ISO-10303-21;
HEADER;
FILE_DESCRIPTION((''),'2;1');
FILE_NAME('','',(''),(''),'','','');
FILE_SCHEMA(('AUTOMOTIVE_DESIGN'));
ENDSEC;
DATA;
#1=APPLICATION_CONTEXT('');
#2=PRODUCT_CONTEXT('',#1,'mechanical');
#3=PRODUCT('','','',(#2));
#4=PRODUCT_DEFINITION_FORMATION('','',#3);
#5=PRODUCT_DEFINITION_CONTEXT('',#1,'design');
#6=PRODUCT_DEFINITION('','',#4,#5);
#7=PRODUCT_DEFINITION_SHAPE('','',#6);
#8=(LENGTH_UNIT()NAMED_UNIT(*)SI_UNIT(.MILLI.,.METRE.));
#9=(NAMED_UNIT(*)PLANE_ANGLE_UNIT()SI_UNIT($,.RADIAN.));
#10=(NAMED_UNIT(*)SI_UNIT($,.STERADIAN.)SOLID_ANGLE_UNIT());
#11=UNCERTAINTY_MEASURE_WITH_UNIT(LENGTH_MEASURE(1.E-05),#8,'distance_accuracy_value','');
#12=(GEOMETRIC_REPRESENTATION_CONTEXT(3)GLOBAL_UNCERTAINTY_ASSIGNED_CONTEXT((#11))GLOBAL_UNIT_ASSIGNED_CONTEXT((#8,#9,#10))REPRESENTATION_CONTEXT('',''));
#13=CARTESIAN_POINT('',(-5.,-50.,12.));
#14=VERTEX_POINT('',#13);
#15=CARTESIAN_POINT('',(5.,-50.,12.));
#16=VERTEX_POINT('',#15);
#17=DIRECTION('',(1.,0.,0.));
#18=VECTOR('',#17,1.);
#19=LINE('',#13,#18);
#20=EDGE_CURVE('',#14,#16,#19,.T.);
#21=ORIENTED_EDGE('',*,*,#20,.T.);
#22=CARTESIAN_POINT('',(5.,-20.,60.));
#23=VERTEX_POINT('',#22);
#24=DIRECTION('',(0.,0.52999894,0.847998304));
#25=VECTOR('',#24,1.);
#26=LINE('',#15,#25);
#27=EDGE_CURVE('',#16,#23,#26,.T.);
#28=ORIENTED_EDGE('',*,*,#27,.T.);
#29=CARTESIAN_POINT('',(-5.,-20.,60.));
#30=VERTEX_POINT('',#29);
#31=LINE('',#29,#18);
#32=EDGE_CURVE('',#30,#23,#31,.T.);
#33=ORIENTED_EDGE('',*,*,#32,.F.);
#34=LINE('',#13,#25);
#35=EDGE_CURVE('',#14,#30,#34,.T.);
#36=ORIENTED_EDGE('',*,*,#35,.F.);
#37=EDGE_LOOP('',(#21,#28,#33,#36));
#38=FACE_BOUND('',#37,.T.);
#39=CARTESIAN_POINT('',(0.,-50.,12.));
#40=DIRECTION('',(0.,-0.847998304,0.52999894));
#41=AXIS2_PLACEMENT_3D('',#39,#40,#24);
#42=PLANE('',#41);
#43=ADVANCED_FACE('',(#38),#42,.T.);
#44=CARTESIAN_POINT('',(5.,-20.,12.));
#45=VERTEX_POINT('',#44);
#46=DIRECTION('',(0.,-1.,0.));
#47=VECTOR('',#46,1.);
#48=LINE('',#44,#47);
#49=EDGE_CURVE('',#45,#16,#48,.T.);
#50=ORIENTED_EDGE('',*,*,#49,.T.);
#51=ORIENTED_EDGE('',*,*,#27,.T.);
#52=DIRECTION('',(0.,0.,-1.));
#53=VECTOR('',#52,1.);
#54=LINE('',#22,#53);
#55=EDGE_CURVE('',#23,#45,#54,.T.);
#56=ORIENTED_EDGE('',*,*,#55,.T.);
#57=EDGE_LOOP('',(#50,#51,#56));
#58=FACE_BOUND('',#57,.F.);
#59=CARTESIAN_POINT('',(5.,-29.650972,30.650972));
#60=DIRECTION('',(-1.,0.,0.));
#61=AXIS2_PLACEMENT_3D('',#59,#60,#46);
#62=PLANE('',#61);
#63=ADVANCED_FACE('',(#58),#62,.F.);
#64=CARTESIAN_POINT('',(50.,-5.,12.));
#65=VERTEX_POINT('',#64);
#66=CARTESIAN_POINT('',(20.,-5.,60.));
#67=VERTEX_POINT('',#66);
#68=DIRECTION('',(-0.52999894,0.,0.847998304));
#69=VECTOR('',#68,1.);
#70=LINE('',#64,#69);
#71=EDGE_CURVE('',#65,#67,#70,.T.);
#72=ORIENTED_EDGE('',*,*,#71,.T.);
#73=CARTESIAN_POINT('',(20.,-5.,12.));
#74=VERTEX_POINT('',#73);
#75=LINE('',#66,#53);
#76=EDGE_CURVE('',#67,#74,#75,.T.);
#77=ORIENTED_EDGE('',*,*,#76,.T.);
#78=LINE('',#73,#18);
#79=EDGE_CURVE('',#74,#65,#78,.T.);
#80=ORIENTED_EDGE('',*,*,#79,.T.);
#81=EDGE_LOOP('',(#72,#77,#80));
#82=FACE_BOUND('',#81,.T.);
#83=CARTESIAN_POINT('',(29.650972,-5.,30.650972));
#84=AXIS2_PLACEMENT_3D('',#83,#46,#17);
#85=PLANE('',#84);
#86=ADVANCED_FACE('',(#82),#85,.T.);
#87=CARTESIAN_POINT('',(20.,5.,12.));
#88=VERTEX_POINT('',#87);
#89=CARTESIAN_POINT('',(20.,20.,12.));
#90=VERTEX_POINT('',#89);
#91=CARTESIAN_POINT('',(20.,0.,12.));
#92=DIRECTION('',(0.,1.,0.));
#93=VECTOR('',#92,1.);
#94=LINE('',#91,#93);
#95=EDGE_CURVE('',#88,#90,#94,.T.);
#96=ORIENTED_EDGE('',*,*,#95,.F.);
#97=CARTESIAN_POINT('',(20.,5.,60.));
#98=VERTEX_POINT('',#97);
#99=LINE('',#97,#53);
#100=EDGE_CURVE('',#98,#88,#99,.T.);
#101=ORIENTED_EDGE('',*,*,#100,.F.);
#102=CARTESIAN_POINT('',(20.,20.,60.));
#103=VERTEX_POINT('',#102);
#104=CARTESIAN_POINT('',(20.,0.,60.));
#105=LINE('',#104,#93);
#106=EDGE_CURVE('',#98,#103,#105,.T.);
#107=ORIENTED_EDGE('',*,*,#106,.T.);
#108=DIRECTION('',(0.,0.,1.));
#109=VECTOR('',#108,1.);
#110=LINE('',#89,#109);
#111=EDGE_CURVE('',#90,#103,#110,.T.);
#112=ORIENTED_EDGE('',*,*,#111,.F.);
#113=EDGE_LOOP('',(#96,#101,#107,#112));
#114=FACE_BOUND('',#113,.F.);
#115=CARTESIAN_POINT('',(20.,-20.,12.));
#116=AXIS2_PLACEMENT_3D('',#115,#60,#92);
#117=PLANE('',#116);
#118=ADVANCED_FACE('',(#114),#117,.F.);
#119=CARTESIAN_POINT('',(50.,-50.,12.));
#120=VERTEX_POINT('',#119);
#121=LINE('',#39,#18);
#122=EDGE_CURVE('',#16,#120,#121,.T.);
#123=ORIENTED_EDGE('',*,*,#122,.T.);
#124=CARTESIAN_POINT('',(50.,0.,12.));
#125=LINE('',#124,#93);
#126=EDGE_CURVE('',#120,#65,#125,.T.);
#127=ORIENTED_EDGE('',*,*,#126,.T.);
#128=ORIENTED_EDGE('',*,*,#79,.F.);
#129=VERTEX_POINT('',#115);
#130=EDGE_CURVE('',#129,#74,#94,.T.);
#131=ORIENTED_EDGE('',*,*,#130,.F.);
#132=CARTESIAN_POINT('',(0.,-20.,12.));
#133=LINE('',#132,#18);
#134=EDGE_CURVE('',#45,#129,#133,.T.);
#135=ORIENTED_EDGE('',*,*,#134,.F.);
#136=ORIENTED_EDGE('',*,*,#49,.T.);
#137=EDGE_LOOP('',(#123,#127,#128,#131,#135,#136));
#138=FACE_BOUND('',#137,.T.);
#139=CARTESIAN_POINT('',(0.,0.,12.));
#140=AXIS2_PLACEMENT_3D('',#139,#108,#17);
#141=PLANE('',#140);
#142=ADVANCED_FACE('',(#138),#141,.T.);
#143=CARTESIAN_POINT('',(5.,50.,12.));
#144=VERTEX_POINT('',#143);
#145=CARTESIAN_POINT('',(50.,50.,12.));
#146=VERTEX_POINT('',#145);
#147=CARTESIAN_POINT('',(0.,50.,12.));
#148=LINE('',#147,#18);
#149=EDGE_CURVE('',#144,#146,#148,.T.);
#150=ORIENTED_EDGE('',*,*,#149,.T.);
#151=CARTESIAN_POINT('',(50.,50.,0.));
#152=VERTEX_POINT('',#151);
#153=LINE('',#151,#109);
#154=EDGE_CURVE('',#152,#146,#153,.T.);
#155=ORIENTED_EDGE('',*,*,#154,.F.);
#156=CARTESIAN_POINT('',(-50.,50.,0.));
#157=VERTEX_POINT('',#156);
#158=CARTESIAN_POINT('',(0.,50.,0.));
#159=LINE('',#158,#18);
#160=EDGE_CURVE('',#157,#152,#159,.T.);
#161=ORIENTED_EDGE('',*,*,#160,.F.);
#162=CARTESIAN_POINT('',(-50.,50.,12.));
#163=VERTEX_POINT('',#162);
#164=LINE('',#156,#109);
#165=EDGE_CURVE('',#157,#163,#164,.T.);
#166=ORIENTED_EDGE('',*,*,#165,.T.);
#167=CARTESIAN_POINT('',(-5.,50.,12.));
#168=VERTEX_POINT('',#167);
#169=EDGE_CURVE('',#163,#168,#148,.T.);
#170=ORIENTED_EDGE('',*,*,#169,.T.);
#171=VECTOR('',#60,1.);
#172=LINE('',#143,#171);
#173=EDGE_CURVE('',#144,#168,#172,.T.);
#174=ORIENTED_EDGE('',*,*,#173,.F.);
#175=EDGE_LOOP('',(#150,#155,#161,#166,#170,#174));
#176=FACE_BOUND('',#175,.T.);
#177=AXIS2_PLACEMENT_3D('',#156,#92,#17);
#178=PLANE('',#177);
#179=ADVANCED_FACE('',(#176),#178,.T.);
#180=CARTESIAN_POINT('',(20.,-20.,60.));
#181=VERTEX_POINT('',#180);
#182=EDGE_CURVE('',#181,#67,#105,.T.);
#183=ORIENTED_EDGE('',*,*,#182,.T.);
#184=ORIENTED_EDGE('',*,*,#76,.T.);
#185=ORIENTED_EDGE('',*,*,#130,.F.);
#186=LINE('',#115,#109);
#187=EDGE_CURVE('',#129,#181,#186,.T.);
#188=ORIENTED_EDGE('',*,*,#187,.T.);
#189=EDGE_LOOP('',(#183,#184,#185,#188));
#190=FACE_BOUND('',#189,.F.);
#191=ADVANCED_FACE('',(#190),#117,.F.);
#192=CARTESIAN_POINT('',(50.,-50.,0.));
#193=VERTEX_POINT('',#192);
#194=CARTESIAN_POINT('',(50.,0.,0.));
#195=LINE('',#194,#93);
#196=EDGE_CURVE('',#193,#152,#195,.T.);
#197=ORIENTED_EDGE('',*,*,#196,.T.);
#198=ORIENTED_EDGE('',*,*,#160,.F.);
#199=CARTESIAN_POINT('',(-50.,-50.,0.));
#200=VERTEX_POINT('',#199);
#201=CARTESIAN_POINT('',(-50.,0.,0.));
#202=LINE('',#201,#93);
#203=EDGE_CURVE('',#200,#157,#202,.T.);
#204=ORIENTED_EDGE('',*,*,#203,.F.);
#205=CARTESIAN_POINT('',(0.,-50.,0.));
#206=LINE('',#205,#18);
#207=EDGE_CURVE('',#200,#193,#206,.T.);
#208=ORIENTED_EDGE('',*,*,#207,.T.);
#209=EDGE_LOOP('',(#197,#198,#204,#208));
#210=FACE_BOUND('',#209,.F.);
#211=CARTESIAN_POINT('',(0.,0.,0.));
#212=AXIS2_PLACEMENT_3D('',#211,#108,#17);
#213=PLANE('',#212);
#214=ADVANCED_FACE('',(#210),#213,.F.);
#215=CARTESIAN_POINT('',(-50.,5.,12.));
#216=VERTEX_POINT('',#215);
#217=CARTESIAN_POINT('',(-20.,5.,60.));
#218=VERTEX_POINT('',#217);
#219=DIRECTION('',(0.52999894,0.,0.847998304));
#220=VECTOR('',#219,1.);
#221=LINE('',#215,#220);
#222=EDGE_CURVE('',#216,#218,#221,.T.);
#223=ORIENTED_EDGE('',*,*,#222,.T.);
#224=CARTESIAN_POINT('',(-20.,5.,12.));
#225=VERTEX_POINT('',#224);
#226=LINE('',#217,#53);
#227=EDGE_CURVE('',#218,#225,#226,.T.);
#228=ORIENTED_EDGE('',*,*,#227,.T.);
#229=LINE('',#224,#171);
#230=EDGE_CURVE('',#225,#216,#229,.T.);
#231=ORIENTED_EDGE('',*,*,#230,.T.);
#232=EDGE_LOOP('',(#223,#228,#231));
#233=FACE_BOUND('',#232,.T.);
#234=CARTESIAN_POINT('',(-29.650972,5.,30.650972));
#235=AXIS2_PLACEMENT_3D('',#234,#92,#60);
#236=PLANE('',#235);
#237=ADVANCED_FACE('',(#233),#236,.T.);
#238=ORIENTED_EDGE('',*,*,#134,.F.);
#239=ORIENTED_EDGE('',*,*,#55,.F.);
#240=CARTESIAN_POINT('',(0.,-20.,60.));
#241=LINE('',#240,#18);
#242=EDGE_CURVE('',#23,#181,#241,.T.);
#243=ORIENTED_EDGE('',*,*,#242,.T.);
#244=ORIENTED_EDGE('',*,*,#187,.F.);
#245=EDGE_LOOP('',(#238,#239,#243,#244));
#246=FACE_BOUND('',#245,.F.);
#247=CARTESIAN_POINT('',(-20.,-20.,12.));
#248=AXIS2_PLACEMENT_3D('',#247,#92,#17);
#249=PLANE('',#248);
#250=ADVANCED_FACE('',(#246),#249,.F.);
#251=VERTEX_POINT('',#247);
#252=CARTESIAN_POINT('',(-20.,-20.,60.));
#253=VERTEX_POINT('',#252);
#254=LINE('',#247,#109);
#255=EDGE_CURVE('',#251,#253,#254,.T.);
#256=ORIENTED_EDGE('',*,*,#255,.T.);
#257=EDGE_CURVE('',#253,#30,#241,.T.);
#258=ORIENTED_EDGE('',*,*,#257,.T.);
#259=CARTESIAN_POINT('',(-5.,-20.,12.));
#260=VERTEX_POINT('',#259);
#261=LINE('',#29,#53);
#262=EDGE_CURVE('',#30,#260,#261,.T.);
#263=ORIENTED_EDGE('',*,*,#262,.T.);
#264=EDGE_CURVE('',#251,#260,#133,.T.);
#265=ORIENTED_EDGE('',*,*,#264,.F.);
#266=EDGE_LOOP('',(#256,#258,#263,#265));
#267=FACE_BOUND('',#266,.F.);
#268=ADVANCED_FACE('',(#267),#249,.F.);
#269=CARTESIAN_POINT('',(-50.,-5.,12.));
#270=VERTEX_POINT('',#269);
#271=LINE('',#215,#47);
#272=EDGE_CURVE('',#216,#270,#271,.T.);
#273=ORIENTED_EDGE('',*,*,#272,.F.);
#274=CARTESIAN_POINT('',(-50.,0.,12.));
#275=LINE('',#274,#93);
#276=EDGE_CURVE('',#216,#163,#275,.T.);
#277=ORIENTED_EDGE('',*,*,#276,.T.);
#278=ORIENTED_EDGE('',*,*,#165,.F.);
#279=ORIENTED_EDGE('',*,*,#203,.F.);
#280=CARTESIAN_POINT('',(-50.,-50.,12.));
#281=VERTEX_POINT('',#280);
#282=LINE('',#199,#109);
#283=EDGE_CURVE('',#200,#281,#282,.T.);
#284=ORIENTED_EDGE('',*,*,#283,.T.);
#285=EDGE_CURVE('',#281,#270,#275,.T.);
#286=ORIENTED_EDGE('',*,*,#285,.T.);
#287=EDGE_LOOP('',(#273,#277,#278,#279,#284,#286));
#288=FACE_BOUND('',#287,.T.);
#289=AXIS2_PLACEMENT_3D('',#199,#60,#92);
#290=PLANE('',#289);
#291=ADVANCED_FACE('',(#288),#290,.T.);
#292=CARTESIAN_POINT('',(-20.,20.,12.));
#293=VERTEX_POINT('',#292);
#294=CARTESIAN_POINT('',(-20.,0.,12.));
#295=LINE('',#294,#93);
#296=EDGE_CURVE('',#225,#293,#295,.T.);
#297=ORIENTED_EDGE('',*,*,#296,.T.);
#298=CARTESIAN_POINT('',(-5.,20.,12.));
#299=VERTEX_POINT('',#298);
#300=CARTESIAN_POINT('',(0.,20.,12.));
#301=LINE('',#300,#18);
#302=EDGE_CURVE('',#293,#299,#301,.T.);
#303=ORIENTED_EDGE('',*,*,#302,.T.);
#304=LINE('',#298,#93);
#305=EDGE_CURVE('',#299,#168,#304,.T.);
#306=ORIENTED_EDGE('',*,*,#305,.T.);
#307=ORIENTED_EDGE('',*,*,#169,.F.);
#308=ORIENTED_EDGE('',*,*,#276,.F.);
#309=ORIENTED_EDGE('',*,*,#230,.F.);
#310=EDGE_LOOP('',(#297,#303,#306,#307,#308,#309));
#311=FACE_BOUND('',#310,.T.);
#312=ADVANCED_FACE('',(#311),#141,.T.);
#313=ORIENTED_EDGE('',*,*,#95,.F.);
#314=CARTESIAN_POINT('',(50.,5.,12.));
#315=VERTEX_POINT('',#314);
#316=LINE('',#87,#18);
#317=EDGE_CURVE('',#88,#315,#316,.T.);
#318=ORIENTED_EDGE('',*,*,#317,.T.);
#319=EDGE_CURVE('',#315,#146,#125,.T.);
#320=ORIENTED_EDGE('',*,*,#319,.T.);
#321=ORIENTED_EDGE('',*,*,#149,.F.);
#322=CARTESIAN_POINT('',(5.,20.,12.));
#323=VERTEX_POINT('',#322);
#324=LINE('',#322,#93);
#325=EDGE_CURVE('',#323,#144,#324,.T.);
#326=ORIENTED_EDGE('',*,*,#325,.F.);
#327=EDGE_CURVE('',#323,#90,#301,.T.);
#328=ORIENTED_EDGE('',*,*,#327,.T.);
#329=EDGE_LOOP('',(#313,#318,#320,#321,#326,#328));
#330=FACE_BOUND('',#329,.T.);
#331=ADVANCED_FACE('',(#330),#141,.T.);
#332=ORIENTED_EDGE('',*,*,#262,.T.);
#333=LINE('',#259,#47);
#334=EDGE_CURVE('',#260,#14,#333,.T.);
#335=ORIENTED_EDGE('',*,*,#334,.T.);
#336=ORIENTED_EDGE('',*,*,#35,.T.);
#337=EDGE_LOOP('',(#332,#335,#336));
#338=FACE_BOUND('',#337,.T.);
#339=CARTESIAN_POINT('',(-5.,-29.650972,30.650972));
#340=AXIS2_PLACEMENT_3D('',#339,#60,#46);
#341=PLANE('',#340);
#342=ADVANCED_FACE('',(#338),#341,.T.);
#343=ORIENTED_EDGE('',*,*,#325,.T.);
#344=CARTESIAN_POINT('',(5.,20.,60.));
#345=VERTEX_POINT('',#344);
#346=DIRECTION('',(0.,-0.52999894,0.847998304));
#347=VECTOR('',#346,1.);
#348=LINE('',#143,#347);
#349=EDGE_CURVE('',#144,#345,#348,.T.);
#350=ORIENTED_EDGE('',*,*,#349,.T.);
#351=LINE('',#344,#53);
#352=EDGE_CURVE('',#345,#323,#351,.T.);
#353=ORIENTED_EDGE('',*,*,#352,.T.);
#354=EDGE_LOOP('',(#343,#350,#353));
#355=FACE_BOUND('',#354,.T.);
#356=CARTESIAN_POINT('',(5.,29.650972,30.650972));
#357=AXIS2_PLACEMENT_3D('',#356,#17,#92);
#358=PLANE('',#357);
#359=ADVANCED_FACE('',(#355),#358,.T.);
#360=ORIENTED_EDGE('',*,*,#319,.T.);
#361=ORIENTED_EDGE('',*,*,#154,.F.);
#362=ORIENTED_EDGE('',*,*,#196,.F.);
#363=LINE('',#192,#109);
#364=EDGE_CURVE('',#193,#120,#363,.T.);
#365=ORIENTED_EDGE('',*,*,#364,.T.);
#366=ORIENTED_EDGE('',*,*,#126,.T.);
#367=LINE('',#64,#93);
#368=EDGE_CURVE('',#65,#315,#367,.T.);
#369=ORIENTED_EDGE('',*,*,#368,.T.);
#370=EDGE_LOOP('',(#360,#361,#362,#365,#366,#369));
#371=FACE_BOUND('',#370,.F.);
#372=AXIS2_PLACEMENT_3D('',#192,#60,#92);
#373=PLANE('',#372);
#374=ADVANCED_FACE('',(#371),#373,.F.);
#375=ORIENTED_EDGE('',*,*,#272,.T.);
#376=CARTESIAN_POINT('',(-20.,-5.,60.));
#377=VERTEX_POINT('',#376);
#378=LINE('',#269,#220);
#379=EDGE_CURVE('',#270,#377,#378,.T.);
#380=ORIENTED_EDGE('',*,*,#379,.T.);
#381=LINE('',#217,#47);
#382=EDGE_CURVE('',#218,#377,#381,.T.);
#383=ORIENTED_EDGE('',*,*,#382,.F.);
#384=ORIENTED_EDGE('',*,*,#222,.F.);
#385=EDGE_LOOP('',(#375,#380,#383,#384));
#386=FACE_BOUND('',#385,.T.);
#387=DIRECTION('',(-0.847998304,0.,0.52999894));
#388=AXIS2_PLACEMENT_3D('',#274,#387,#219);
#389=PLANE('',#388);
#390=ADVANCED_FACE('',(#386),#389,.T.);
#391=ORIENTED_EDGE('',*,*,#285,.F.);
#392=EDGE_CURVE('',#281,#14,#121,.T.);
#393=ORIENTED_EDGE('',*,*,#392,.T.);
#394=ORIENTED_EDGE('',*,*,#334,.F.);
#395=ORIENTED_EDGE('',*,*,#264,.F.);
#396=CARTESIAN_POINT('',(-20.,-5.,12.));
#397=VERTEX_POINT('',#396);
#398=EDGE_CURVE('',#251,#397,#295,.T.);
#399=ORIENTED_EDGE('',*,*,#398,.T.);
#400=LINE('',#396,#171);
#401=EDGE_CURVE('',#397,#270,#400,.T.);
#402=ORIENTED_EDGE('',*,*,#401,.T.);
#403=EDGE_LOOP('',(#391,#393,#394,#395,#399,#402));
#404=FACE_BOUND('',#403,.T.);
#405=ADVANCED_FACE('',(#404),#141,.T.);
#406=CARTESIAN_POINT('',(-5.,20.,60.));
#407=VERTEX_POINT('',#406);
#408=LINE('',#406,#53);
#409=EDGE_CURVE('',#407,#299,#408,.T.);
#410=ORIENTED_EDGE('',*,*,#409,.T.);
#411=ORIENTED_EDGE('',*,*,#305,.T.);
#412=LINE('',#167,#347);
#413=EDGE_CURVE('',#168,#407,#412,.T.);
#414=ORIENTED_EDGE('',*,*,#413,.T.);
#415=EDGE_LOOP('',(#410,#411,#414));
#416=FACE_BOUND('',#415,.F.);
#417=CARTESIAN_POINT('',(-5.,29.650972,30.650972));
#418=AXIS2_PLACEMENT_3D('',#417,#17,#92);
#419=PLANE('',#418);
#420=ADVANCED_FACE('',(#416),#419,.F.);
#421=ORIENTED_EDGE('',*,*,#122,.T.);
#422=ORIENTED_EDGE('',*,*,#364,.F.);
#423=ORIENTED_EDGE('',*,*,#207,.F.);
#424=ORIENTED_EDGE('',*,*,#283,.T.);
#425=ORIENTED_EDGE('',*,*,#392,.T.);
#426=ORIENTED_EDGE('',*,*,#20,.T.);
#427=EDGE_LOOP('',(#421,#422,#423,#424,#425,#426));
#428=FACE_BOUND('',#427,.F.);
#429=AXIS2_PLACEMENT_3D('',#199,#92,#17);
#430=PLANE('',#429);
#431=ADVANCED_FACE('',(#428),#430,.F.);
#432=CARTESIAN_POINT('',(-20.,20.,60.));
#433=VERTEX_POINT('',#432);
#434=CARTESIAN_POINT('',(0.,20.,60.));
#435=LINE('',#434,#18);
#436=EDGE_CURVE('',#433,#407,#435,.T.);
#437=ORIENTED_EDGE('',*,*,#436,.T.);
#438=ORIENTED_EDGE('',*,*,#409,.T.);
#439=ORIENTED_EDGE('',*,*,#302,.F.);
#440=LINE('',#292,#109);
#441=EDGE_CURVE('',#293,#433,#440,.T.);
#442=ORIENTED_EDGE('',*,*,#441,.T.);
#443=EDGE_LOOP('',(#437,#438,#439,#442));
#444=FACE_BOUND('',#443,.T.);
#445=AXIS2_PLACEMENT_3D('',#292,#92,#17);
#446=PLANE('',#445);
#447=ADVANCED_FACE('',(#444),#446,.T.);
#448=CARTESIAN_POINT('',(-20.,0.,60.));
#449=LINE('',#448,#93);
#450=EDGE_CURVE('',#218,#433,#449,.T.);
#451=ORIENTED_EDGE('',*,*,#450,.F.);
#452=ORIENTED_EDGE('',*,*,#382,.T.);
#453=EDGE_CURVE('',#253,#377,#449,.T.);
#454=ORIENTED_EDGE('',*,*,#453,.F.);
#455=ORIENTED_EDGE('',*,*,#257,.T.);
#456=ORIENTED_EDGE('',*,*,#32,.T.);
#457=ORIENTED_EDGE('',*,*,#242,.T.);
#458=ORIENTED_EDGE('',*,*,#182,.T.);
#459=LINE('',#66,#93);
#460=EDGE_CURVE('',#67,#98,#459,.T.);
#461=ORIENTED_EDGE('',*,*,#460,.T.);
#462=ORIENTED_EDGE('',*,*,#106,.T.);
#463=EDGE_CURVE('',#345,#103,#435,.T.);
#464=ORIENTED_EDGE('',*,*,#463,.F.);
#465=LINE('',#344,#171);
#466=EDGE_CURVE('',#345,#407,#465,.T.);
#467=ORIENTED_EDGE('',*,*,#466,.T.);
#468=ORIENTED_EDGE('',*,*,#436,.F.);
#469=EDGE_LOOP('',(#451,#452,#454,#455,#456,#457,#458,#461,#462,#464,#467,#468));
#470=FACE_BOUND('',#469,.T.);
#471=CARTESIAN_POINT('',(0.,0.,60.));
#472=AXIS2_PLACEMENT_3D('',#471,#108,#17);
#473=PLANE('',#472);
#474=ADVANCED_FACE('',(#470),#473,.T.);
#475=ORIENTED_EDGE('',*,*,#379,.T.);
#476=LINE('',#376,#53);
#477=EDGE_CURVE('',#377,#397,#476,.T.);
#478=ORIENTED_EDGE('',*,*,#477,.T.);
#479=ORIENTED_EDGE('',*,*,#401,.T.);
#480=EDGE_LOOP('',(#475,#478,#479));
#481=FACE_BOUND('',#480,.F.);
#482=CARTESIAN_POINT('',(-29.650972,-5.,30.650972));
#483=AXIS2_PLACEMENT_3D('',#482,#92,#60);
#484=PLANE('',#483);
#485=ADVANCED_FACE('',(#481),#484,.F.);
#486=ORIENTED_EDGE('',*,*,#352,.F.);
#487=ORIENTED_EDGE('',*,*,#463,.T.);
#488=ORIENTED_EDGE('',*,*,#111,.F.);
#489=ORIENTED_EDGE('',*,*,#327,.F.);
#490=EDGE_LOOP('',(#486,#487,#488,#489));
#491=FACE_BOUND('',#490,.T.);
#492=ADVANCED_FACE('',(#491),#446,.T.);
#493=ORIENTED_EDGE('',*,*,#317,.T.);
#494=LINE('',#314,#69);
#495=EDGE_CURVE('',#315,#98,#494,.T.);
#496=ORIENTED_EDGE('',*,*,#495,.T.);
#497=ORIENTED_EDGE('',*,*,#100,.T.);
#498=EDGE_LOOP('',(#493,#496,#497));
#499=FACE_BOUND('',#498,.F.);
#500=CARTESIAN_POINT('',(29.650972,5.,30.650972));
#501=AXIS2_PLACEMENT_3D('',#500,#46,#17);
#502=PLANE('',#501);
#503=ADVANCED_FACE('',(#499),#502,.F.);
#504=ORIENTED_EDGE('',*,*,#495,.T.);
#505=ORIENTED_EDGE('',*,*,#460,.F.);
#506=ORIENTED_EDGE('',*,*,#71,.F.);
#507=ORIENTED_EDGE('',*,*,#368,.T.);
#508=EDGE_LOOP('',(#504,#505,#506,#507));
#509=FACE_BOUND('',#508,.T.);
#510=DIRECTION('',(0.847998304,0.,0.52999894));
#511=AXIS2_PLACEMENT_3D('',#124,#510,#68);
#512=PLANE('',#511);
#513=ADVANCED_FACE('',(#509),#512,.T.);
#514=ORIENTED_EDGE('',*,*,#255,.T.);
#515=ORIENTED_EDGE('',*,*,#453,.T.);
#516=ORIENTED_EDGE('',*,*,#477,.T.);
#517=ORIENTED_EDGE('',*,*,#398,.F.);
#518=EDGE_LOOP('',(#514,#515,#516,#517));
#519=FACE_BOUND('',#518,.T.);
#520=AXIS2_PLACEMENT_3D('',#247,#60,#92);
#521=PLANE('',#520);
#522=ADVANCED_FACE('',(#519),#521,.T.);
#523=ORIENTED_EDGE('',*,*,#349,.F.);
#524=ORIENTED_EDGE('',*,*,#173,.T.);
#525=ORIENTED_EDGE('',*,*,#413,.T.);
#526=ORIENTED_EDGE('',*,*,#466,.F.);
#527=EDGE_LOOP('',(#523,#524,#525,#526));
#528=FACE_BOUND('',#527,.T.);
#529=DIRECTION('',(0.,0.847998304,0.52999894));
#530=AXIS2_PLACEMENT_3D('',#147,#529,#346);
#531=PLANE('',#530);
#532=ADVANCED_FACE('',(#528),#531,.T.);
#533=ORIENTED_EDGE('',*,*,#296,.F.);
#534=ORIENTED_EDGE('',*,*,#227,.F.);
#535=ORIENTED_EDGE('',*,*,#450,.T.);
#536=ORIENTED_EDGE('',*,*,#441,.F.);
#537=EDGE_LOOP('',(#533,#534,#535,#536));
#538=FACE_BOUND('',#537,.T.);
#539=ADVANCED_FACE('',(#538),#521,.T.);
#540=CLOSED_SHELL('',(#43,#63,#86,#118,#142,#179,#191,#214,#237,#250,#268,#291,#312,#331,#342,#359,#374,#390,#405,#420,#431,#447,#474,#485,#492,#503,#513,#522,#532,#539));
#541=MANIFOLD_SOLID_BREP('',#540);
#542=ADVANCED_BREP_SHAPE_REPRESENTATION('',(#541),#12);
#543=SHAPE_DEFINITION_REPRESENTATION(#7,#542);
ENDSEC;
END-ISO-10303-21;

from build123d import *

# Parameters (mm, degrees)
SKETCH_W           = 100
SKETCH_H           = 100
PAD_DEPTH          = 12
SKETCH001_W        = 40
SKETCH001_H        = 40
PAD001_DEPTH       = 48
PAD002_DEPTH       = 5
POLARPATTERN_COUNT = 4


with BuildPart() as part:
    # Sketch → Pad (new body)
    with BuildSketch(Plane.XY):
        Rectangle(SKETCH_W, SKETCH_H)
    extrude(amount=PAD_DEPTH)

    # Sketch001 (on Face6 of Pad) → Pad001 (join)
    with BuildSketch(Plane.XY.offset(12)):
        Rectangle(SKETCH001_W, SKETCH001_H)
    extrude(amount=PAD001_DEPTH)

    # Sketch002 → Pad002 (join, symmetric)
    with BuildSketch(Plane.XZ):
        Polygon((20, 60), (20, 12), (50, 12), align=None)
    pad002 = extrude(amount=PAD002_DEPTH, both=True)

    # PolarPattern: Pad002 ×4 about axis
    polarpattern_axis = Axis((0, 0, 0), (0, 0, 1))
    for i in range(1, POLARPATTERN_COUNT):
        add(pad002.rotate(polarpattern_axis, i * 360 / POLARPATTERN_COUNT))


solid = part.part
